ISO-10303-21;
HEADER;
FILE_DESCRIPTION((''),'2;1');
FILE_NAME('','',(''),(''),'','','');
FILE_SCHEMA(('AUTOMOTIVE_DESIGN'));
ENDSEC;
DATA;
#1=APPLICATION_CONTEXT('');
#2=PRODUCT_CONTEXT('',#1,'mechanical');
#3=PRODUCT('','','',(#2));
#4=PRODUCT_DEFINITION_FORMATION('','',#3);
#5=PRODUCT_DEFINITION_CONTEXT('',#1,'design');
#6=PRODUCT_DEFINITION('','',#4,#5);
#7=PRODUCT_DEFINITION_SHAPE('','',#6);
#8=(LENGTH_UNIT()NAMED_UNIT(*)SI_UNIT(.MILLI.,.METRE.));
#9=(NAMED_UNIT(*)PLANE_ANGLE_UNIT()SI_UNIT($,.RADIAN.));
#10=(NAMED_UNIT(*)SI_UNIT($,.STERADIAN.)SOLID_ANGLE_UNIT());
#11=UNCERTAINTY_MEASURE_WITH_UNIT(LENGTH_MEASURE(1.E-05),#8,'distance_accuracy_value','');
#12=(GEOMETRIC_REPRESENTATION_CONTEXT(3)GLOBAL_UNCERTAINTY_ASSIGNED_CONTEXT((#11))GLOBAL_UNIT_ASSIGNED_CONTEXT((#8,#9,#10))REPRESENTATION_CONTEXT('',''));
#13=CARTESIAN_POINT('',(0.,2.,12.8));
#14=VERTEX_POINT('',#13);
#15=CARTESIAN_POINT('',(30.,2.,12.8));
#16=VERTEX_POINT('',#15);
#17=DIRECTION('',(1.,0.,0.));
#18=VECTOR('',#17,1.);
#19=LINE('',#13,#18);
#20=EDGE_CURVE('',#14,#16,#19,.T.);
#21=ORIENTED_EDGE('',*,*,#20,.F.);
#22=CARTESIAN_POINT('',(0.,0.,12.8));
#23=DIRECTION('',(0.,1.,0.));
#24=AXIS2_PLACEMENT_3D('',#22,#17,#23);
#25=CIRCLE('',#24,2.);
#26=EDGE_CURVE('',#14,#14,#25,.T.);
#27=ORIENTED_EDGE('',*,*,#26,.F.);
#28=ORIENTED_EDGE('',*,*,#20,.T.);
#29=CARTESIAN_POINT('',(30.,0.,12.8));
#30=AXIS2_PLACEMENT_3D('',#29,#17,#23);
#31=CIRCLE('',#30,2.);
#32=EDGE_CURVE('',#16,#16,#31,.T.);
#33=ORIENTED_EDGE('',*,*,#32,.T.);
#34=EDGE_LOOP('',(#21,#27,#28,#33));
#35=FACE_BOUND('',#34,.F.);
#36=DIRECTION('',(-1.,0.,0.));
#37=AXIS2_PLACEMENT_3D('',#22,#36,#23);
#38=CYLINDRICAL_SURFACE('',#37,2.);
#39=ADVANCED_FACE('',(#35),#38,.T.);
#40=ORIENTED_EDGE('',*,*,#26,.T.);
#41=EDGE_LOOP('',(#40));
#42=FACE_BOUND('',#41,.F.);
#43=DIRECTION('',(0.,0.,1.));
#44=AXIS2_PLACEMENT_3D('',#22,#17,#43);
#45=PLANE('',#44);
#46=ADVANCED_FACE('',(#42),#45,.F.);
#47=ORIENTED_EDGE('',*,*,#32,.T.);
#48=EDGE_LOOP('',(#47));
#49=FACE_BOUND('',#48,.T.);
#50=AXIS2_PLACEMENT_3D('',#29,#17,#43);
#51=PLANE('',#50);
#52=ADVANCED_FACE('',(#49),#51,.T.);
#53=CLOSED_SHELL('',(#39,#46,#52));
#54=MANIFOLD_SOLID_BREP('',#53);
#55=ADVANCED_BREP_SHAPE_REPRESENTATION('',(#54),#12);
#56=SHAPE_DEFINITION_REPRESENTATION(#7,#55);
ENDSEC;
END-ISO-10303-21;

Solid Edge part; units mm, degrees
sketch "Sketch1" plane through (0, 0, 0) normal (1, 0, 0) x (0, 1, 0)
  circle A0 centre (0, 12.8) radius 2
extrude "Protrusion1" add sketch "Sketch1" along normal up to vertex (30 mm away)
cosmetic_thread "Thread1" size "M4"
